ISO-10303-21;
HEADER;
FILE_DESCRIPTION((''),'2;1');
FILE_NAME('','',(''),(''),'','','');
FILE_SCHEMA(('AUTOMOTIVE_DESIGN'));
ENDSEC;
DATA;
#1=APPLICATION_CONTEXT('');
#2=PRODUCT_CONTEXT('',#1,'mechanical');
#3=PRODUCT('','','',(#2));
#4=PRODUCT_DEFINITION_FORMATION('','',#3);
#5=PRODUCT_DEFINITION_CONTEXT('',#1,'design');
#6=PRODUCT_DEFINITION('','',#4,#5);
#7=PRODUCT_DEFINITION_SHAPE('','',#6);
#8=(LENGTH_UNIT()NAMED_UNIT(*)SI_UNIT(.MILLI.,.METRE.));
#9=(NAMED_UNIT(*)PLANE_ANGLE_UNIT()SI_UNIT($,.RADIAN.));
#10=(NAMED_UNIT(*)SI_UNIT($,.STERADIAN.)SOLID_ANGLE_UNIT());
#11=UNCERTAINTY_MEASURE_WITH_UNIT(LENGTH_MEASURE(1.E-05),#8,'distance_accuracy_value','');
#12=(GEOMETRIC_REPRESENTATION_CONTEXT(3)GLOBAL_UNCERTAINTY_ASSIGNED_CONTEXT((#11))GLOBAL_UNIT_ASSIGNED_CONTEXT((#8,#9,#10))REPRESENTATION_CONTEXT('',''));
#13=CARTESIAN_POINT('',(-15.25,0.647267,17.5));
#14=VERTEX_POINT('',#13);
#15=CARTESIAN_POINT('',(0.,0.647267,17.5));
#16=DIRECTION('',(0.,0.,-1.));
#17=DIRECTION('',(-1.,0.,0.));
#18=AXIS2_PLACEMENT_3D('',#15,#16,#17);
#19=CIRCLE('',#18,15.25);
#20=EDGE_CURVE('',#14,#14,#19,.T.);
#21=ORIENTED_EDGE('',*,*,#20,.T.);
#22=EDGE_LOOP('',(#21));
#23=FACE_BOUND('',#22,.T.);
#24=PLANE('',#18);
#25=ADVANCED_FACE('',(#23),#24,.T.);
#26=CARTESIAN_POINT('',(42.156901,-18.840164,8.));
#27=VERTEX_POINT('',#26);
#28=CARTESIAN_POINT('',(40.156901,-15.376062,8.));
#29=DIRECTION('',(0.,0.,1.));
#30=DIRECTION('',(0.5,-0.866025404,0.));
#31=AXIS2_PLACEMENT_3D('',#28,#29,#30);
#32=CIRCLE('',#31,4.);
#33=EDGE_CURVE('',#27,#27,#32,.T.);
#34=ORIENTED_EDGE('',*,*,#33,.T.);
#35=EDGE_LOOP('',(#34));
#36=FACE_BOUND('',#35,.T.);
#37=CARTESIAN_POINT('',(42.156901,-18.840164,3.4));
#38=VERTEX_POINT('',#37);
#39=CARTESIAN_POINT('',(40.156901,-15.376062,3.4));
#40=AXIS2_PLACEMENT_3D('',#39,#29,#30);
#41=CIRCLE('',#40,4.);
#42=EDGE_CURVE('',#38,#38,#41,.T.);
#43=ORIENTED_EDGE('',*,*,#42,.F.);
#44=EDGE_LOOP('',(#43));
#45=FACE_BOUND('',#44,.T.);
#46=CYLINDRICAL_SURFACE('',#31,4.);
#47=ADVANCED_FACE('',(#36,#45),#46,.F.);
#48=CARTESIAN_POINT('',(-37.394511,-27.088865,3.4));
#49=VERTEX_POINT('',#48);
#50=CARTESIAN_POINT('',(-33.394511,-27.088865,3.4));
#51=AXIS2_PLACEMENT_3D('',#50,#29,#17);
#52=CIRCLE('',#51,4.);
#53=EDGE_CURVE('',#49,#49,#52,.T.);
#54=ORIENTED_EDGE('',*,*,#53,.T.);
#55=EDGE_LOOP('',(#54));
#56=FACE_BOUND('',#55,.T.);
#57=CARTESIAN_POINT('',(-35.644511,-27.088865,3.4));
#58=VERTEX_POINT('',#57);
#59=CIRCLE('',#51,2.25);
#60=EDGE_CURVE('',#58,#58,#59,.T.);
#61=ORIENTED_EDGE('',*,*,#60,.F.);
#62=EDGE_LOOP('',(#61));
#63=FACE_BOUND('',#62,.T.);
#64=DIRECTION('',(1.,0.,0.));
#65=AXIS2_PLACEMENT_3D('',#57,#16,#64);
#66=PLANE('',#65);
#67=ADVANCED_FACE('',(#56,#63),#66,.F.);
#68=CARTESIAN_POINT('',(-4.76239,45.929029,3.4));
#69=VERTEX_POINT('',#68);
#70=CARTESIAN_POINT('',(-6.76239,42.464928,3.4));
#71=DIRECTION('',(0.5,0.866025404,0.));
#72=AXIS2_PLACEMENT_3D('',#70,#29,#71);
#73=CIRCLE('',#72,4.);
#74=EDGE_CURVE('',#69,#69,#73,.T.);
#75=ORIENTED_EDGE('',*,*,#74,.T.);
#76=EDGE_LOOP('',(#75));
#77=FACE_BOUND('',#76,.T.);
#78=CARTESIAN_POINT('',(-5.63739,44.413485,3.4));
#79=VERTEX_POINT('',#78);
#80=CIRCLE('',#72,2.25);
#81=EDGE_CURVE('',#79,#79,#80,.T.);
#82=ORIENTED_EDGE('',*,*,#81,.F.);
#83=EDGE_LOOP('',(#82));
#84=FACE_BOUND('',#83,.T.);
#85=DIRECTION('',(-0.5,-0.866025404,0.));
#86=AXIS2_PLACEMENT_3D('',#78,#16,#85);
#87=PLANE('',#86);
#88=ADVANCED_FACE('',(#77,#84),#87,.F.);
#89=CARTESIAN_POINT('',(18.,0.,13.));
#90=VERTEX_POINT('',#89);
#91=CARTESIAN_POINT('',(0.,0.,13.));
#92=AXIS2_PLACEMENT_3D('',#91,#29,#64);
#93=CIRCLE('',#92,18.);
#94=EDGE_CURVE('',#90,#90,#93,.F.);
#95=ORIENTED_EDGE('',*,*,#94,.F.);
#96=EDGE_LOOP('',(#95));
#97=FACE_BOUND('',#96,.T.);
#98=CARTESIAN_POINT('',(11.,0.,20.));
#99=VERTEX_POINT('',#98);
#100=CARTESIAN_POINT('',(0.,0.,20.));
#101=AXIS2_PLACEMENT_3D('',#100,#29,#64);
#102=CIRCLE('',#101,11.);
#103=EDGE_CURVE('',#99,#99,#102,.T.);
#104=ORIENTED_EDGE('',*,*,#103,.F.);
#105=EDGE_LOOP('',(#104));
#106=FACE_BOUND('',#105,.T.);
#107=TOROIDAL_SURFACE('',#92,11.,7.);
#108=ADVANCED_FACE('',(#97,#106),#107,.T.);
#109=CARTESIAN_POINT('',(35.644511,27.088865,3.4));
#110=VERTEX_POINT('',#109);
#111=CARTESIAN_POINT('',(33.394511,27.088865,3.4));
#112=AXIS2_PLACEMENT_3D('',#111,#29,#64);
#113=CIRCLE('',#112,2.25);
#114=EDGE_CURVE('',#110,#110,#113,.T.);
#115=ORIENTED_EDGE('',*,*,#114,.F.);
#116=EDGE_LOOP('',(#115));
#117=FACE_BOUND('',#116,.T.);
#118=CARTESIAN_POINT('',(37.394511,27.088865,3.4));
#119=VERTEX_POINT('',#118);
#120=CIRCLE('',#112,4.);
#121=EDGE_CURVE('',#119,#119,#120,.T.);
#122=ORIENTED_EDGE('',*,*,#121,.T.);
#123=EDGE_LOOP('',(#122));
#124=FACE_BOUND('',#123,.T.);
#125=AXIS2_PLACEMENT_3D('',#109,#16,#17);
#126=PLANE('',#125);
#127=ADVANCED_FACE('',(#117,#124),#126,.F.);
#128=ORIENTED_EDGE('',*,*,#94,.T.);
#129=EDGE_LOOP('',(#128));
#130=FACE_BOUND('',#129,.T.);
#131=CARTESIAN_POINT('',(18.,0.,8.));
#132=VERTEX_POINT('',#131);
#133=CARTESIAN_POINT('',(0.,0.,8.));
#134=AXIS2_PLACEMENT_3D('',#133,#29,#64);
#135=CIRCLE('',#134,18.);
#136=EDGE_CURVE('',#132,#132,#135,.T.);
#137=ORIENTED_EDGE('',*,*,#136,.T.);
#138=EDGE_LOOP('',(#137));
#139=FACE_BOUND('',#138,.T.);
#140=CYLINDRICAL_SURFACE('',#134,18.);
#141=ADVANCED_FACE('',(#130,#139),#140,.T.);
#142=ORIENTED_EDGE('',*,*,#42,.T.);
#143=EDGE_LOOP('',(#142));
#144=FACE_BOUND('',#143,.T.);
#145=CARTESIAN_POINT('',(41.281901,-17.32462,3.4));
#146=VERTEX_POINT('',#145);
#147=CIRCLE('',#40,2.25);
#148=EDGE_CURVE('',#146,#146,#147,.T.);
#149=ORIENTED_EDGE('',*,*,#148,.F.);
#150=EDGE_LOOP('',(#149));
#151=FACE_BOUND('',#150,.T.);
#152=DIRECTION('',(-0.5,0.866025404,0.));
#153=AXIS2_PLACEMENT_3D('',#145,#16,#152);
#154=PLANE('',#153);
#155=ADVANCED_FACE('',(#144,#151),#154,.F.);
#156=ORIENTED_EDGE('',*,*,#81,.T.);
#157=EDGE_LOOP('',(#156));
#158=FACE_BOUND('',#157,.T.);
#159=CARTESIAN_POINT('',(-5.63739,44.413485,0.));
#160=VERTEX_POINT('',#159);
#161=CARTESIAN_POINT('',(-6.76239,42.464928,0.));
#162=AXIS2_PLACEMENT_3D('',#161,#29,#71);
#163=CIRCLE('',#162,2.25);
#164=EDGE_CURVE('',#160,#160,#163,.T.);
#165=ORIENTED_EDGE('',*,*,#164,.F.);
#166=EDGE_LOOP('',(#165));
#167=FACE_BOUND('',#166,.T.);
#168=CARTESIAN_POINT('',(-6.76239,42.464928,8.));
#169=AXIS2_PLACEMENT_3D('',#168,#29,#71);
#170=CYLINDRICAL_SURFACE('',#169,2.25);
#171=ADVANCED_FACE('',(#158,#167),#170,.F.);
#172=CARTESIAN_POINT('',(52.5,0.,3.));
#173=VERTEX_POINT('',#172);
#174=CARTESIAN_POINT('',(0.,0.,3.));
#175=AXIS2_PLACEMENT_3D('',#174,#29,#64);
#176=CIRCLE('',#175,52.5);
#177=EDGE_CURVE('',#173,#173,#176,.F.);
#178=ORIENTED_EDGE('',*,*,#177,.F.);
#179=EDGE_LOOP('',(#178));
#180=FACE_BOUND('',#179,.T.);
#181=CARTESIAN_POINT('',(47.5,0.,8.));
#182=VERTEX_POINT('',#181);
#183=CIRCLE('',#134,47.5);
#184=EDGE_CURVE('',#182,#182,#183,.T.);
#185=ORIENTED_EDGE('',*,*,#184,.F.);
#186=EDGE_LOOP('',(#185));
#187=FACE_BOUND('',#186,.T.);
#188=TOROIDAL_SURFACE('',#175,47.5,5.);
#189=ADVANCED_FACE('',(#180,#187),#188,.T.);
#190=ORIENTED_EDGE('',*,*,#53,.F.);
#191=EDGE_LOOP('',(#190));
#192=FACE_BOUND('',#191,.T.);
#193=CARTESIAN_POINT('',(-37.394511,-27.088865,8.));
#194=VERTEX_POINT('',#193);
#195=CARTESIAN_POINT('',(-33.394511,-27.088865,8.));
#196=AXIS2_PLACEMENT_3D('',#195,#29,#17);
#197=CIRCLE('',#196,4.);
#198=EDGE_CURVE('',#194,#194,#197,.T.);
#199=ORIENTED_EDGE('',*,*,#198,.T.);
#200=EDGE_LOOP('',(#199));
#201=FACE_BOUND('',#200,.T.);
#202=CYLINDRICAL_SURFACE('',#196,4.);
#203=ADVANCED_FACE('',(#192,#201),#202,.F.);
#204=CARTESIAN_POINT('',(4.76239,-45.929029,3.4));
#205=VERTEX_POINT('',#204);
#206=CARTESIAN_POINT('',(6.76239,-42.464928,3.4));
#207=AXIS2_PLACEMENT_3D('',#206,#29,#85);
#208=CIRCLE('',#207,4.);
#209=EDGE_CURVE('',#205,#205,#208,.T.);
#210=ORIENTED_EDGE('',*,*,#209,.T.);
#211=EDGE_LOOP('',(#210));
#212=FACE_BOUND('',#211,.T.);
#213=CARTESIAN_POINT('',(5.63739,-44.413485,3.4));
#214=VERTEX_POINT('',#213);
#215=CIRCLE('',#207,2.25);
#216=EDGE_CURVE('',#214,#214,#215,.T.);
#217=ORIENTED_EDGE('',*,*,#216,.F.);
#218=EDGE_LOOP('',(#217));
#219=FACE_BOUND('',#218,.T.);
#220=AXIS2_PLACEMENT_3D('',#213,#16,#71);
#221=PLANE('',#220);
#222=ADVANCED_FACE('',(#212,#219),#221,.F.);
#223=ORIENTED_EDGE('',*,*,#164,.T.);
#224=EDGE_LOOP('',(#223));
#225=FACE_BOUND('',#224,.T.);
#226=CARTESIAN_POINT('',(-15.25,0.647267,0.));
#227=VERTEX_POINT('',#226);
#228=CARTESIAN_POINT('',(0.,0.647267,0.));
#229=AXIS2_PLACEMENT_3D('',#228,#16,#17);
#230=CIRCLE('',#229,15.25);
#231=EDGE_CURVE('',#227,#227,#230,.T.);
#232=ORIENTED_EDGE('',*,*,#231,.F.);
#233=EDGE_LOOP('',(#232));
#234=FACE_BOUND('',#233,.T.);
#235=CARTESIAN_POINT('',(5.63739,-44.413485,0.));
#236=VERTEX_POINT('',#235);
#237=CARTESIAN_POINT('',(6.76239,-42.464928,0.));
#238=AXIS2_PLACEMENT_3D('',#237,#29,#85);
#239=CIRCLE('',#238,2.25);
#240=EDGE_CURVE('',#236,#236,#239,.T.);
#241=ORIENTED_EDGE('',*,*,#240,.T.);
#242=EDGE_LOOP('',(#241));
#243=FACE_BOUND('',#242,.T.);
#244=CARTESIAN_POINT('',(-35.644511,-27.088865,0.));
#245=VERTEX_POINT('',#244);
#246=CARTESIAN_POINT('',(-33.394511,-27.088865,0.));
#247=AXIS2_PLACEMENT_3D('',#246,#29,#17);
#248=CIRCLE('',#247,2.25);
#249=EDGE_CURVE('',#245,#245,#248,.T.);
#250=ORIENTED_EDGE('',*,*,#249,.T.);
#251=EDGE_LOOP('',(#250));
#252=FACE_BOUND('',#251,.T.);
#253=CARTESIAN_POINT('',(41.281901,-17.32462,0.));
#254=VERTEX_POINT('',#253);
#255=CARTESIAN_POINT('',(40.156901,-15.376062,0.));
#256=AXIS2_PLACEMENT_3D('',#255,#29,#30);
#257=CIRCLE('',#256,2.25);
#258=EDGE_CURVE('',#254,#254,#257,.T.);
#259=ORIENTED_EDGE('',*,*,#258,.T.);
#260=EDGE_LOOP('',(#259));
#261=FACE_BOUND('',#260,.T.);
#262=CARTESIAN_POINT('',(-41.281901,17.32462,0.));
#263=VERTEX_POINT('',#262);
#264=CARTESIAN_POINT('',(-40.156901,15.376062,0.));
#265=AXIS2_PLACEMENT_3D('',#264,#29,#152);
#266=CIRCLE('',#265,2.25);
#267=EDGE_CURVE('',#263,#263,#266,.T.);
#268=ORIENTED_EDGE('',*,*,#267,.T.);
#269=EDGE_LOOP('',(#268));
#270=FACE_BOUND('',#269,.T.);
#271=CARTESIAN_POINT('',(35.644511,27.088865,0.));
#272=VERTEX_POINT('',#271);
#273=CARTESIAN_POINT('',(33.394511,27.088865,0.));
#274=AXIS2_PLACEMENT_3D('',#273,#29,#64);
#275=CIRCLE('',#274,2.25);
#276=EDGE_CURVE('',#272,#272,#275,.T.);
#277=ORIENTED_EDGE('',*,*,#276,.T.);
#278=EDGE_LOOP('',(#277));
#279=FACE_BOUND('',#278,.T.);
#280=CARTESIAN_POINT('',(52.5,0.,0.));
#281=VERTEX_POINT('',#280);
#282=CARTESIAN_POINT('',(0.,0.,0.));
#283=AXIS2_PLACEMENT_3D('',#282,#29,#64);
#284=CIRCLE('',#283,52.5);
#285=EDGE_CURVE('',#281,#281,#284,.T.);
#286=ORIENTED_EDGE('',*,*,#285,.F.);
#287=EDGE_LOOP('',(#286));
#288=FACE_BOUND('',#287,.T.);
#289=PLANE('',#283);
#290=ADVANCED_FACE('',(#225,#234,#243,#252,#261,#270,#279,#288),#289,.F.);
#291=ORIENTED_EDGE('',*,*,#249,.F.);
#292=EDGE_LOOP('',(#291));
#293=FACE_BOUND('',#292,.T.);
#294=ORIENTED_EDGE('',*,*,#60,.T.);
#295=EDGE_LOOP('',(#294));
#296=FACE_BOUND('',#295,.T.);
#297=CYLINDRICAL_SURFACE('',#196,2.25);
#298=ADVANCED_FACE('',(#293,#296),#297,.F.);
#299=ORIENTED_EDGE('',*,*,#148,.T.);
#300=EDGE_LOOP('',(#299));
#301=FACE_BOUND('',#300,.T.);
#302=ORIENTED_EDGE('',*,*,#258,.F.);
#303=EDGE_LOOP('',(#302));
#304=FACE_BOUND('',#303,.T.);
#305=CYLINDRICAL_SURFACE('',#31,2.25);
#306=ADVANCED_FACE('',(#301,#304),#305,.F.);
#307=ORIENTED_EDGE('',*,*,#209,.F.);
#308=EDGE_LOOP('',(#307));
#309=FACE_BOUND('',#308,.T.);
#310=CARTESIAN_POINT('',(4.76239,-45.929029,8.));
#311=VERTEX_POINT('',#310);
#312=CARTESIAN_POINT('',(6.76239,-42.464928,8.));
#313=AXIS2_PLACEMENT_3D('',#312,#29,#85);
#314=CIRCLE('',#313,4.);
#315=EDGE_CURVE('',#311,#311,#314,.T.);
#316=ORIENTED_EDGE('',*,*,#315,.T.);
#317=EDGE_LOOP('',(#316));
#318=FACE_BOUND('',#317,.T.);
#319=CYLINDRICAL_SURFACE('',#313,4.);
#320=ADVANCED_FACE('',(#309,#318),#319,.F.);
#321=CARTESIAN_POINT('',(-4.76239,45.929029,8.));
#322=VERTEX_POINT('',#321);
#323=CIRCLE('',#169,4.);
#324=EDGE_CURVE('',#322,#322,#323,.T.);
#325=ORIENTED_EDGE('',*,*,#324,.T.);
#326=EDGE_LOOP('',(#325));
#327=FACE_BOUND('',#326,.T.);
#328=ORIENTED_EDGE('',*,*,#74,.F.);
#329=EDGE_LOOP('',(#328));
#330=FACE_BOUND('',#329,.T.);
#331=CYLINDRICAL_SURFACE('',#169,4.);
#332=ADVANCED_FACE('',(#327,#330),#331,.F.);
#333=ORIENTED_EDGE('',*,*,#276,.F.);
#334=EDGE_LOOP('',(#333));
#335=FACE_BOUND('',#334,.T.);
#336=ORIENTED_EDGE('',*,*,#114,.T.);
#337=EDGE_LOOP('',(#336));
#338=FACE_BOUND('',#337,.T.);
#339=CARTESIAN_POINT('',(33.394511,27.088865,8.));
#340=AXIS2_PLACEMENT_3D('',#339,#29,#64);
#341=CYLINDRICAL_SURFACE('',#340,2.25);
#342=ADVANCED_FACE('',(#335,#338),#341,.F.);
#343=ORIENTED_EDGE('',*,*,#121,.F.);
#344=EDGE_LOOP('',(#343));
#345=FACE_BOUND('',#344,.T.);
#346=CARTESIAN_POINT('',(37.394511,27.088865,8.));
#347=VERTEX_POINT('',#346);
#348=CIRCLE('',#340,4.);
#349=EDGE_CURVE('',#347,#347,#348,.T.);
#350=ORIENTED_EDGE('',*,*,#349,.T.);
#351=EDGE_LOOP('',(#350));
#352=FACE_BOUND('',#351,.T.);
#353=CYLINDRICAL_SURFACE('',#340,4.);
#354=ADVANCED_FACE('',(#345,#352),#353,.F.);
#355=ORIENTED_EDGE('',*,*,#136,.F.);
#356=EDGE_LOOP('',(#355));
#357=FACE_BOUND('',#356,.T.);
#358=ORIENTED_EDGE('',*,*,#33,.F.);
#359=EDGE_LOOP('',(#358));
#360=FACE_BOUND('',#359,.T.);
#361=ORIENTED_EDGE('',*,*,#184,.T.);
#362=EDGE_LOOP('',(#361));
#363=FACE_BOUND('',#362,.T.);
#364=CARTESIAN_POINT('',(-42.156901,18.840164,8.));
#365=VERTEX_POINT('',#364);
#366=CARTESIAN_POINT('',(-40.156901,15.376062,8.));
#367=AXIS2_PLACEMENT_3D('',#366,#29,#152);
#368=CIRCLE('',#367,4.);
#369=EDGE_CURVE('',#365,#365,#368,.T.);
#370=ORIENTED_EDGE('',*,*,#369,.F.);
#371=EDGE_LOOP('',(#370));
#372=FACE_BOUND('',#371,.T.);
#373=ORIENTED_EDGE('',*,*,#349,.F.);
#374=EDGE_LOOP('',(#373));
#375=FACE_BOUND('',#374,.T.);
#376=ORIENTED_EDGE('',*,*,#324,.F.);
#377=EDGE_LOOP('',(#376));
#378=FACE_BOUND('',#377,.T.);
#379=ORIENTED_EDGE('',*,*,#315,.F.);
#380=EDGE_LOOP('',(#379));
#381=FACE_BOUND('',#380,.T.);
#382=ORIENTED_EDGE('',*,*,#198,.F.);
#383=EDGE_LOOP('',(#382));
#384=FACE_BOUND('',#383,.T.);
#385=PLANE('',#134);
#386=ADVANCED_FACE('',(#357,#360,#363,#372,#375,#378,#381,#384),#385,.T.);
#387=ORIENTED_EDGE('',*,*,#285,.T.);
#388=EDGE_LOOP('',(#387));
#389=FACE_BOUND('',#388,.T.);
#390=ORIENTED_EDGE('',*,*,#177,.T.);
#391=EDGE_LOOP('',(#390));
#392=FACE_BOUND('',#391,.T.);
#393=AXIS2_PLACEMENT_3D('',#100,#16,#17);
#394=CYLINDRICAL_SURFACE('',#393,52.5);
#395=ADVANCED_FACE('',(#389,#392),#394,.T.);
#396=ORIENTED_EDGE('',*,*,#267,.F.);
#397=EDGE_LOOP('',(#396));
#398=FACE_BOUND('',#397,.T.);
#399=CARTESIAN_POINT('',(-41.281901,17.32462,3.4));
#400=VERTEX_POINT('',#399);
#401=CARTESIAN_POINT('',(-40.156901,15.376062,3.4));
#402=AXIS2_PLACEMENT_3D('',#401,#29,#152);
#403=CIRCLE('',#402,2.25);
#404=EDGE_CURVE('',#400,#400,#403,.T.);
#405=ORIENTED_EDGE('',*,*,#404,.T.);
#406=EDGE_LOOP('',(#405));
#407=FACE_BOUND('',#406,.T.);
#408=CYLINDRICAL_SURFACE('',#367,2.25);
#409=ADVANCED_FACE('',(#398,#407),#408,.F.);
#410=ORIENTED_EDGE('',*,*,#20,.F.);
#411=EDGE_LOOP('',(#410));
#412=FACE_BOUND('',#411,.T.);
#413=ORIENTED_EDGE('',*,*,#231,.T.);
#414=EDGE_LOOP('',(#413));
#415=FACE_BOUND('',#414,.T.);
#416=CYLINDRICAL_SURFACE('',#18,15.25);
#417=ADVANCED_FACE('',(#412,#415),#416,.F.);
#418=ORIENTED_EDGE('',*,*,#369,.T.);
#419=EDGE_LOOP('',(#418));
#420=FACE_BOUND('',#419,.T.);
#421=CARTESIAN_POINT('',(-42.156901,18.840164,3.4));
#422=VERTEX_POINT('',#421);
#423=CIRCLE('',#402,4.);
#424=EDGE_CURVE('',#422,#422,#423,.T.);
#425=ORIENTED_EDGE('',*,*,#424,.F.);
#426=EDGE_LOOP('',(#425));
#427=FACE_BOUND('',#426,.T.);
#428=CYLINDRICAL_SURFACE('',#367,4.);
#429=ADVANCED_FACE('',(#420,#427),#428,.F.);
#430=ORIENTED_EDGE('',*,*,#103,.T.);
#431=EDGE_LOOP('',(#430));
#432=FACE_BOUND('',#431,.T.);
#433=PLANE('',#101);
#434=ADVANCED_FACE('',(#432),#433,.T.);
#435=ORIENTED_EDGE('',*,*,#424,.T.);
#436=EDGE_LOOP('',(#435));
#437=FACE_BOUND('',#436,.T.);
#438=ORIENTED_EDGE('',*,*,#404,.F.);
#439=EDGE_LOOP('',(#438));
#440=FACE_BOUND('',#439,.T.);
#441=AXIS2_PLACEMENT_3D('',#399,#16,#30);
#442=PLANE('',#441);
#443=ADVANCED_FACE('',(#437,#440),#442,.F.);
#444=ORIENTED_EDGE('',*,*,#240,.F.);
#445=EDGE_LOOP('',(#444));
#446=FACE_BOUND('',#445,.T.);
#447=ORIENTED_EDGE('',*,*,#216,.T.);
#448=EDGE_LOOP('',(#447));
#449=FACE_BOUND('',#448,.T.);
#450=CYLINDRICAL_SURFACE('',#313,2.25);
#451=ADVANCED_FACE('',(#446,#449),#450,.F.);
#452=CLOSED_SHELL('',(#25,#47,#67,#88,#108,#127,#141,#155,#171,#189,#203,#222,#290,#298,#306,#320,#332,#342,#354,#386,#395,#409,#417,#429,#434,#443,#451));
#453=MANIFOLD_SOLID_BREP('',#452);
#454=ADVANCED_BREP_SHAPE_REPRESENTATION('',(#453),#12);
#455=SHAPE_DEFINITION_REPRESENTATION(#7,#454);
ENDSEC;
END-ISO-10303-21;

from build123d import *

# Parameters (mm, degrees)
SKETCH_1_R                   = 52.5
EXTRUDE_1_DEPTH              = 20
CUT_EXTRUDE_START            = -12
SKETCH_3_R                   = 52.5
SKETCH_3_R_2                 = 18
CUT_EXTRUDE_1_DEPTH          = 12
SKETCH_5_R                   = 15.25
CUT_EXTRUDE_3_DEPTH          = 17.5
HOLE_WIZARD_M4_1_D           = 4.5
HOLE_WIZARD_M4_1_CBORE_D     = 8
HOLE_WIZARD_M4_1_CBORE_DEPTH = 4.6
PATTERN_CIRCULAR_1_COUNT     = 6
FILLET_2_R                   = 7
FILLET_3_R                   = 5


with BuildPart() as part:
    # 草图1 → 凸台-拉伸1 (new body)
    with BuildSketch(Plane.XY):
        Circle(SKETCH_1_R)
    extrude(amount=EXTRUDE_1_DEPTH)

    # 草图3 → 切除-拉伸1 (cut)
    with BuildSketch(Plane.XY.offset(20).offset(CUT_EXTRUDE_START)):
        Circle(SKETCH_3_R)
        Circle(SKETCH_3_R_2, mode=Mode.SUBTRACT)
    extrude(amount=CUT_EXTRUDE_1_DEPTH, mode=Mode.SUBTRACT)

    # 草图5 → 切除-拉伸3 (cut)
    with BuildSketch(Plane(origin=(0, 0, 0), x_dir=(-1, 0, 0), z_dir=(0, 0, -1))):
        with Locations((0, 0.647267044)):
            Circle(SKETCH_5_R)
    extrude(amount=-CUT_EXTRUDE_3_DEPTH, mode=Mode.SUBTRACT)

    # M4 六角圆柱头螺钉的柱形沉头孔1 (through all)
    with Locations(Plane.XY.offset(8)):
        with Locations((33.394511176, 27.088865302)):
            hole_wizard_m4_1 = CounterBoreHole(HOLE_WIZARD_M4_1_D / 2, HOLE_WIZARD_M4_1_CBORE_D / 2, HOLE_WIZARD_M4_1_CBORE_DEPTH)

    # 阵列(圆周)1: M4 六角圆柱头螺钉的柱形沉头孔1 ×6 about axis
    pattern_circular_1_axis = Axis((0, 0, 0), (0, 0, 1))
    for i in range(1, PATTERN_CIRCULAR_1_COUNT):
        add(hole_wizard_m4_1.rotate(pattern_circular_1_axis, i * 360 / PATTERN_CIRCULAR_1_COUNT), mode=Mode.SUBTRACT)

    # 圆角2
    fillet_2_edges = [part.edges().sort_by_distance(p)[0] for p in [
        (-18, 0, 20),
    ]]
    fillet(fillet_2_edges, radius=FILLET_2_R)

    # 圆角3
    fillet_3_edges = [part.edges().sort_by_distance(p)[0] for p in [
        (-52.5, 0, 8),
    ]]
    fillet(fillet_3_edges, radius=FILLET_3_R)


solid = part.part
